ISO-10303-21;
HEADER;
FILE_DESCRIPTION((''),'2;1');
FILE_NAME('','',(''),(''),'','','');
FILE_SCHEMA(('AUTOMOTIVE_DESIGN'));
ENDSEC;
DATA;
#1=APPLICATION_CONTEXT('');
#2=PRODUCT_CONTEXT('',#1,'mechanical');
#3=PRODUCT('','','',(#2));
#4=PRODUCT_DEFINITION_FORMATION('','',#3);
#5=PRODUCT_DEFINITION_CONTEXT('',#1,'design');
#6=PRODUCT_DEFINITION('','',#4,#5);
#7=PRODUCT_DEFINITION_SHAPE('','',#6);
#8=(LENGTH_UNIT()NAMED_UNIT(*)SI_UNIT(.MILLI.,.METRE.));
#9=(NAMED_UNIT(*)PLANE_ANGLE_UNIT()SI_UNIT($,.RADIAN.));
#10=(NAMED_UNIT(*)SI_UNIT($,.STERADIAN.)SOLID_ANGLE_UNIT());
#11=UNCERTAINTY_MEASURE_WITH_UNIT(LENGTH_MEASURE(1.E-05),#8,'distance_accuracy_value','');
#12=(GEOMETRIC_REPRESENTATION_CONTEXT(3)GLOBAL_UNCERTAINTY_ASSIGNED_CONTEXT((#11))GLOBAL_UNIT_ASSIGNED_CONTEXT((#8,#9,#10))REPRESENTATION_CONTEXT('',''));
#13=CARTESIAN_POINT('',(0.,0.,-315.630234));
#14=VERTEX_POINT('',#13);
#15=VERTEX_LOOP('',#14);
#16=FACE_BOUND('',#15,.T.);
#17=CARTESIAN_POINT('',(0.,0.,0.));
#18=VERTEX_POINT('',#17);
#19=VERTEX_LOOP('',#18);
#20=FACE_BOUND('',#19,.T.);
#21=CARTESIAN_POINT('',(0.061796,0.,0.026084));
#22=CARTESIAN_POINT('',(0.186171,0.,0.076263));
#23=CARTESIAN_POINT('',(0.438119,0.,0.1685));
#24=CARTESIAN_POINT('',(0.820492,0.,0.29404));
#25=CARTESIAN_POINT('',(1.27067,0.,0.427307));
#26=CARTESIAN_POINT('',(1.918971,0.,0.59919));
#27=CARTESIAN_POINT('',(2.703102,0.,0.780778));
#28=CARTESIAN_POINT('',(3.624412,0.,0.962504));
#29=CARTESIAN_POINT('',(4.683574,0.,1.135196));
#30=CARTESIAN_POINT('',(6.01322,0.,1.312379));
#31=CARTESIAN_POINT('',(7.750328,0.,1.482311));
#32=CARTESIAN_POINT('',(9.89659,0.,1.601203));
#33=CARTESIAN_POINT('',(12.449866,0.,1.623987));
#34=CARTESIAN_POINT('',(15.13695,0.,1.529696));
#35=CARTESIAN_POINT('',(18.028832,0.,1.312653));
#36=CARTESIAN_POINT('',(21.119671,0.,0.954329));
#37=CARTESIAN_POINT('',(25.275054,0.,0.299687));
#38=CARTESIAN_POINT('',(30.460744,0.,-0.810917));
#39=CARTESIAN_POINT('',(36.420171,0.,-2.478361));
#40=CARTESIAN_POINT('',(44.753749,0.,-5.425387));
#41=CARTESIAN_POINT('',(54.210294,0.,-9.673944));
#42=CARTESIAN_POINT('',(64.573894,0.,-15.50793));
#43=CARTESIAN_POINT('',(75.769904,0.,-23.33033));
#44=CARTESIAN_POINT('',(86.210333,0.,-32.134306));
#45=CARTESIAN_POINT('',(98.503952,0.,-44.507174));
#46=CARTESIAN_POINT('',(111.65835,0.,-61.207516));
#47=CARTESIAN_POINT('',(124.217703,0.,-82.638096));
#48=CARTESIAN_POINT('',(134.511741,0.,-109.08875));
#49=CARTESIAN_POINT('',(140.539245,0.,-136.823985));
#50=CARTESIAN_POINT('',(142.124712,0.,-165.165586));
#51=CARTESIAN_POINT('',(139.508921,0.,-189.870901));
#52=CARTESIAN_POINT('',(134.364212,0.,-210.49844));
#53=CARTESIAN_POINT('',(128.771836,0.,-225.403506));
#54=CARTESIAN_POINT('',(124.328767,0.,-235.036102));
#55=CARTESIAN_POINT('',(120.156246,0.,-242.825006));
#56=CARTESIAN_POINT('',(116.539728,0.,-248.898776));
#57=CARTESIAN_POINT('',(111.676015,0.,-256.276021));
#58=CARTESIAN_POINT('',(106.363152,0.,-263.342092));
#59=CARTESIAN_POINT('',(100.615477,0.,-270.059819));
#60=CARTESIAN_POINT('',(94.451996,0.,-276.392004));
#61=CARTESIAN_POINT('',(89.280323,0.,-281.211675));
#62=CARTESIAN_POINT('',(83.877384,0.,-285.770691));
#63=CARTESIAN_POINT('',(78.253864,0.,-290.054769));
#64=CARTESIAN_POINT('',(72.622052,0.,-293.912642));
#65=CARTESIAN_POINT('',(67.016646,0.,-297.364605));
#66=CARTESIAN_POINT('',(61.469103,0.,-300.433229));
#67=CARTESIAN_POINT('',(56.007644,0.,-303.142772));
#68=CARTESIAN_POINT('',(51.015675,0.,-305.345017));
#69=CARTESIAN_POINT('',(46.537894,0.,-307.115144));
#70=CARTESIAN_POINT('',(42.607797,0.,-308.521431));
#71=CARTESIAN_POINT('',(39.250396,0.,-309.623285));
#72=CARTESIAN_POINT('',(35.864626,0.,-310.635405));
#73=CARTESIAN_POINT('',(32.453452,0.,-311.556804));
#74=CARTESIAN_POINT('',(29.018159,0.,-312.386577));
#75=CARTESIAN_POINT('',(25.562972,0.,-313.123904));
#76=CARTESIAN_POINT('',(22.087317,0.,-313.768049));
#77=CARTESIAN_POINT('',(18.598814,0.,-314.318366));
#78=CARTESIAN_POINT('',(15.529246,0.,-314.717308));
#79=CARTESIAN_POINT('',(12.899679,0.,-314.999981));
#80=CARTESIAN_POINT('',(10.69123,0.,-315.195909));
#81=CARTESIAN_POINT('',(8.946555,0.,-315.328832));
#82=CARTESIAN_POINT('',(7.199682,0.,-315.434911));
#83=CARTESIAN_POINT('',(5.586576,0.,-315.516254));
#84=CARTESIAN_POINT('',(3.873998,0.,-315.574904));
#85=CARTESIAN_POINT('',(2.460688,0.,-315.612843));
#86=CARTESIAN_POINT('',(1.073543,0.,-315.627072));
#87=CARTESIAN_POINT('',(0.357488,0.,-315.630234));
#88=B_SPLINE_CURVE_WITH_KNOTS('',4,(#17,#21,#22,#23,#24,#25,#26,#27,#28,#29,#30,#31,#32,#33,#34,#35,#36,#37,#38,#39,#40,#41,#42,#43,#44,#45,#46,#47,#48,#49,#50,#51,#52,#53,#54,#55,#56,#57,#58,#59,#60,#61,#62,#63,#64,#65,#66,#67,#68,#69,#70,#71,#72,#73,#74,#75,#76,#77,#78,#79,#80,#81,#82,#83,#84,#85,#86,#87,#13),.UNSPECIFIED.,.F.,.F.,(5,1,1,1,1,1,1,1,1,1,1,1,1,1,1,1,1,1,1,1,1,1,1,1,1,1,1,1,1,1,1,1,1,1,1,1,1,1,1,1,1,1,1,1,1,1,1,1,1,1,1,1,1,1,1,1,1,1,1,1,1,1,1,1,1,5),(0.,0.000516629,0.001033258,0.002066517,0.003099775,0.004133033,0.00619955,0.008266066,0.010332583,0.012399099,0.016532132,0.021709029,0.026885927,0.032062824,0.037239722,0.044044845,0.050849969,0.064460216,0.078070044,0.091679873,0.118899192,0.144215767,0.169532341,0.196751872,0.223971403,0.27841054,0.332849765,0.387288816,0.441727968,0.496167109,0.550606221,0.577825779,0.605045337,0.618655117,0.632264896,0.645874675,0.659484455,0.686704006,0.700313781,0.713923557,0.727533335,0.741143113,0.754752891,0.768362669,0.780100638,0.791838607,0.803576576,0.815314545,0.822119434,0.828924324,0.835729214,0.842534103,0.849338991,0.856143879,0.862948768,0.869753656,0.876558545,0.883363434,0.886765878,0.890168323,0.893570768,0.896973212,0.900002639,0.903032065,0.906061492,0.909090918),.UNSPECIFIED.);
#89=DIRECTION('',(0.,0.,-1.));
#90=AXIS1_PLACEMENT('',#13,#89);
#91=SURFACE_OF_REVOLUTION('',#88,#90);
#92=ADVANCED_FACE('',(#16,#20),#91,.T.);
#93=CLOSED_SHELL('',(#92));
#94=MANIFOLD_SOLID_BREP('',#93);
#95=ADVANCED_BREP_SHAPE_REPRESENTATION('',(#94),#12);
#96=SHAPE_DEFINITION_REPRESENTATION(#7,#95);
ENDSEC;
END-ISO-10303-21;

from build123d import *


with BuildPart() as part:
    # Sketch1 → Revolve1 (revolve)
    with BuildSketch(Plane(origin=(0, 0, 0), x_dir=(1, 0, 0), z_dir=(0, 1, 0))):
        with BuildLine():
            Line((0, 0), (0, 315.630233813))
            add(Edge.make_bspline(
                [(0, 0), (0.061796402, -0.026084469), (0.186171396, -0.076262552), (0.438119474, -0.168499764), (0.820492001, -0.294039895), (1.270669557, -0.427306606), (1.918970978, -0.599190095), (2.703101503, -0.780777898), (3.624412082, -0.962503809), (4.683573853, -1.135196434), (6.013220108, -1.312378734), (7.75032829, -1.482311209), (9.896589851, -1.601202761), (12.449865743, -1.62398658), (15.13694966, -1.529696128), (18.028832131, -1.312652987), (21.119670873, -0.954329211), (25.275053738, -0.299686804), (30.460743833, 0.810917114), (36.420171154, 2.478361379), (44.753748931, 5.425387402), (54.210294114, 9.67394425), (64.573893975, 15.507930083), (75.769903637, 23.330330375), (86.210333455, 32.134305795), (98.50395182, 44.507174063), (111.65834998, 61.207516383), (124.217702925, 82.638096105), (134.51174075, 109.088749805), (140.539244653, 136.823984778), (142.124712042, 165.165585837), (139.508921392, 189.870900705), (134.364211851, 210.498439849), (128.771836166, 225.403505698), (124.328767007, 235.036101676), (120.156246068, 242.82500582), (116.539727953, 248.898775734), (111.676015438, 256.276021483), (106.363151586, 263.342091753), (100.615477372, 270.059819183), (94.451995954, 276.392003819), (89.280323059, 281.211675458), (83.877384059, 285.770690998), (78.253864242, 290.054769276), (72.622051699, 293.912641916), (67.016645716, 297.364605166), (61.469103472, 300.433229088), (56.007644189, 303.142772213), (51.015675163, 305.345016608), (46.537894003, 307.115144281), (42.607797042, 308.521431149), (39.250395539, 309.623285069), (35.864625535, 310.635404654), (32.453451729, 311.556803844), (29.018159499, 312.386577486), (25.56297246, 313.123904135), (22.087317417, 313.768048933), (18.598813756, 314.318365893), (15.529245983, 314.717308437), (12.899678558, 314.999981496), (10.691229503, 315.195909235), (8.946554894, 315.328831667), (7.199682477, 315.434911108), (5.586575729, 315.516253721), (3.873997502, 315.574904238), (2.46068838, 315.61284331), (1.073542697, 315.627071903), (0.357487537, 315.630233813), (0, 315.630233813)],
                knots=[0, 0, 0, 0, 0, 0.000516629, 0.001033258, 0.002066517, 0.003099775, 0.004133033, 0.00619955, 0.008266066, 0.010332583, 0.012399099, 0.016532132, 0.021709029, 0.026885927, 0.032062824, 0.037239722, 0.044044845, 0.050849969, 0.064460216, 0.078070044, 0.091679873, 0.118899192, 0.144215767, 0.169532341, 0.196751872, 0.223971403, 0.27841054, 0.332849765, 0.387288816, 0.441727968, 0.496167109, 0.550606221, 0.577825779, 0.605045337, 0.618655117, 0.632264896, 0.645874675, 0.659484455, 0.686704006, 0.700313781, 0.713923557, 0.727533335, 0.741143113, 0.754752891, 0.768362669, 0.780100638, 0.791838607, 0.803576576, 0.815314545, 0.822119434, 0.828924324, 0.835729214, 0.842534103, 0.849338991, 0.856143879, 0.862948768, 0.869753656, 0.876558545, 0.883363434, 0.886765878, 0.890168323, 0.893570768, 0.896973212, 0.900002639, 0.903032065, 0.906061492, 0.909090918, 0.909090918, 0.909090918, 0.909090918, 0.909090918], degree=4))
        make_face()
    revolve(axis=Axis((0, 0, -315.630233813), (0, 0, 1)))


solid = part.part
